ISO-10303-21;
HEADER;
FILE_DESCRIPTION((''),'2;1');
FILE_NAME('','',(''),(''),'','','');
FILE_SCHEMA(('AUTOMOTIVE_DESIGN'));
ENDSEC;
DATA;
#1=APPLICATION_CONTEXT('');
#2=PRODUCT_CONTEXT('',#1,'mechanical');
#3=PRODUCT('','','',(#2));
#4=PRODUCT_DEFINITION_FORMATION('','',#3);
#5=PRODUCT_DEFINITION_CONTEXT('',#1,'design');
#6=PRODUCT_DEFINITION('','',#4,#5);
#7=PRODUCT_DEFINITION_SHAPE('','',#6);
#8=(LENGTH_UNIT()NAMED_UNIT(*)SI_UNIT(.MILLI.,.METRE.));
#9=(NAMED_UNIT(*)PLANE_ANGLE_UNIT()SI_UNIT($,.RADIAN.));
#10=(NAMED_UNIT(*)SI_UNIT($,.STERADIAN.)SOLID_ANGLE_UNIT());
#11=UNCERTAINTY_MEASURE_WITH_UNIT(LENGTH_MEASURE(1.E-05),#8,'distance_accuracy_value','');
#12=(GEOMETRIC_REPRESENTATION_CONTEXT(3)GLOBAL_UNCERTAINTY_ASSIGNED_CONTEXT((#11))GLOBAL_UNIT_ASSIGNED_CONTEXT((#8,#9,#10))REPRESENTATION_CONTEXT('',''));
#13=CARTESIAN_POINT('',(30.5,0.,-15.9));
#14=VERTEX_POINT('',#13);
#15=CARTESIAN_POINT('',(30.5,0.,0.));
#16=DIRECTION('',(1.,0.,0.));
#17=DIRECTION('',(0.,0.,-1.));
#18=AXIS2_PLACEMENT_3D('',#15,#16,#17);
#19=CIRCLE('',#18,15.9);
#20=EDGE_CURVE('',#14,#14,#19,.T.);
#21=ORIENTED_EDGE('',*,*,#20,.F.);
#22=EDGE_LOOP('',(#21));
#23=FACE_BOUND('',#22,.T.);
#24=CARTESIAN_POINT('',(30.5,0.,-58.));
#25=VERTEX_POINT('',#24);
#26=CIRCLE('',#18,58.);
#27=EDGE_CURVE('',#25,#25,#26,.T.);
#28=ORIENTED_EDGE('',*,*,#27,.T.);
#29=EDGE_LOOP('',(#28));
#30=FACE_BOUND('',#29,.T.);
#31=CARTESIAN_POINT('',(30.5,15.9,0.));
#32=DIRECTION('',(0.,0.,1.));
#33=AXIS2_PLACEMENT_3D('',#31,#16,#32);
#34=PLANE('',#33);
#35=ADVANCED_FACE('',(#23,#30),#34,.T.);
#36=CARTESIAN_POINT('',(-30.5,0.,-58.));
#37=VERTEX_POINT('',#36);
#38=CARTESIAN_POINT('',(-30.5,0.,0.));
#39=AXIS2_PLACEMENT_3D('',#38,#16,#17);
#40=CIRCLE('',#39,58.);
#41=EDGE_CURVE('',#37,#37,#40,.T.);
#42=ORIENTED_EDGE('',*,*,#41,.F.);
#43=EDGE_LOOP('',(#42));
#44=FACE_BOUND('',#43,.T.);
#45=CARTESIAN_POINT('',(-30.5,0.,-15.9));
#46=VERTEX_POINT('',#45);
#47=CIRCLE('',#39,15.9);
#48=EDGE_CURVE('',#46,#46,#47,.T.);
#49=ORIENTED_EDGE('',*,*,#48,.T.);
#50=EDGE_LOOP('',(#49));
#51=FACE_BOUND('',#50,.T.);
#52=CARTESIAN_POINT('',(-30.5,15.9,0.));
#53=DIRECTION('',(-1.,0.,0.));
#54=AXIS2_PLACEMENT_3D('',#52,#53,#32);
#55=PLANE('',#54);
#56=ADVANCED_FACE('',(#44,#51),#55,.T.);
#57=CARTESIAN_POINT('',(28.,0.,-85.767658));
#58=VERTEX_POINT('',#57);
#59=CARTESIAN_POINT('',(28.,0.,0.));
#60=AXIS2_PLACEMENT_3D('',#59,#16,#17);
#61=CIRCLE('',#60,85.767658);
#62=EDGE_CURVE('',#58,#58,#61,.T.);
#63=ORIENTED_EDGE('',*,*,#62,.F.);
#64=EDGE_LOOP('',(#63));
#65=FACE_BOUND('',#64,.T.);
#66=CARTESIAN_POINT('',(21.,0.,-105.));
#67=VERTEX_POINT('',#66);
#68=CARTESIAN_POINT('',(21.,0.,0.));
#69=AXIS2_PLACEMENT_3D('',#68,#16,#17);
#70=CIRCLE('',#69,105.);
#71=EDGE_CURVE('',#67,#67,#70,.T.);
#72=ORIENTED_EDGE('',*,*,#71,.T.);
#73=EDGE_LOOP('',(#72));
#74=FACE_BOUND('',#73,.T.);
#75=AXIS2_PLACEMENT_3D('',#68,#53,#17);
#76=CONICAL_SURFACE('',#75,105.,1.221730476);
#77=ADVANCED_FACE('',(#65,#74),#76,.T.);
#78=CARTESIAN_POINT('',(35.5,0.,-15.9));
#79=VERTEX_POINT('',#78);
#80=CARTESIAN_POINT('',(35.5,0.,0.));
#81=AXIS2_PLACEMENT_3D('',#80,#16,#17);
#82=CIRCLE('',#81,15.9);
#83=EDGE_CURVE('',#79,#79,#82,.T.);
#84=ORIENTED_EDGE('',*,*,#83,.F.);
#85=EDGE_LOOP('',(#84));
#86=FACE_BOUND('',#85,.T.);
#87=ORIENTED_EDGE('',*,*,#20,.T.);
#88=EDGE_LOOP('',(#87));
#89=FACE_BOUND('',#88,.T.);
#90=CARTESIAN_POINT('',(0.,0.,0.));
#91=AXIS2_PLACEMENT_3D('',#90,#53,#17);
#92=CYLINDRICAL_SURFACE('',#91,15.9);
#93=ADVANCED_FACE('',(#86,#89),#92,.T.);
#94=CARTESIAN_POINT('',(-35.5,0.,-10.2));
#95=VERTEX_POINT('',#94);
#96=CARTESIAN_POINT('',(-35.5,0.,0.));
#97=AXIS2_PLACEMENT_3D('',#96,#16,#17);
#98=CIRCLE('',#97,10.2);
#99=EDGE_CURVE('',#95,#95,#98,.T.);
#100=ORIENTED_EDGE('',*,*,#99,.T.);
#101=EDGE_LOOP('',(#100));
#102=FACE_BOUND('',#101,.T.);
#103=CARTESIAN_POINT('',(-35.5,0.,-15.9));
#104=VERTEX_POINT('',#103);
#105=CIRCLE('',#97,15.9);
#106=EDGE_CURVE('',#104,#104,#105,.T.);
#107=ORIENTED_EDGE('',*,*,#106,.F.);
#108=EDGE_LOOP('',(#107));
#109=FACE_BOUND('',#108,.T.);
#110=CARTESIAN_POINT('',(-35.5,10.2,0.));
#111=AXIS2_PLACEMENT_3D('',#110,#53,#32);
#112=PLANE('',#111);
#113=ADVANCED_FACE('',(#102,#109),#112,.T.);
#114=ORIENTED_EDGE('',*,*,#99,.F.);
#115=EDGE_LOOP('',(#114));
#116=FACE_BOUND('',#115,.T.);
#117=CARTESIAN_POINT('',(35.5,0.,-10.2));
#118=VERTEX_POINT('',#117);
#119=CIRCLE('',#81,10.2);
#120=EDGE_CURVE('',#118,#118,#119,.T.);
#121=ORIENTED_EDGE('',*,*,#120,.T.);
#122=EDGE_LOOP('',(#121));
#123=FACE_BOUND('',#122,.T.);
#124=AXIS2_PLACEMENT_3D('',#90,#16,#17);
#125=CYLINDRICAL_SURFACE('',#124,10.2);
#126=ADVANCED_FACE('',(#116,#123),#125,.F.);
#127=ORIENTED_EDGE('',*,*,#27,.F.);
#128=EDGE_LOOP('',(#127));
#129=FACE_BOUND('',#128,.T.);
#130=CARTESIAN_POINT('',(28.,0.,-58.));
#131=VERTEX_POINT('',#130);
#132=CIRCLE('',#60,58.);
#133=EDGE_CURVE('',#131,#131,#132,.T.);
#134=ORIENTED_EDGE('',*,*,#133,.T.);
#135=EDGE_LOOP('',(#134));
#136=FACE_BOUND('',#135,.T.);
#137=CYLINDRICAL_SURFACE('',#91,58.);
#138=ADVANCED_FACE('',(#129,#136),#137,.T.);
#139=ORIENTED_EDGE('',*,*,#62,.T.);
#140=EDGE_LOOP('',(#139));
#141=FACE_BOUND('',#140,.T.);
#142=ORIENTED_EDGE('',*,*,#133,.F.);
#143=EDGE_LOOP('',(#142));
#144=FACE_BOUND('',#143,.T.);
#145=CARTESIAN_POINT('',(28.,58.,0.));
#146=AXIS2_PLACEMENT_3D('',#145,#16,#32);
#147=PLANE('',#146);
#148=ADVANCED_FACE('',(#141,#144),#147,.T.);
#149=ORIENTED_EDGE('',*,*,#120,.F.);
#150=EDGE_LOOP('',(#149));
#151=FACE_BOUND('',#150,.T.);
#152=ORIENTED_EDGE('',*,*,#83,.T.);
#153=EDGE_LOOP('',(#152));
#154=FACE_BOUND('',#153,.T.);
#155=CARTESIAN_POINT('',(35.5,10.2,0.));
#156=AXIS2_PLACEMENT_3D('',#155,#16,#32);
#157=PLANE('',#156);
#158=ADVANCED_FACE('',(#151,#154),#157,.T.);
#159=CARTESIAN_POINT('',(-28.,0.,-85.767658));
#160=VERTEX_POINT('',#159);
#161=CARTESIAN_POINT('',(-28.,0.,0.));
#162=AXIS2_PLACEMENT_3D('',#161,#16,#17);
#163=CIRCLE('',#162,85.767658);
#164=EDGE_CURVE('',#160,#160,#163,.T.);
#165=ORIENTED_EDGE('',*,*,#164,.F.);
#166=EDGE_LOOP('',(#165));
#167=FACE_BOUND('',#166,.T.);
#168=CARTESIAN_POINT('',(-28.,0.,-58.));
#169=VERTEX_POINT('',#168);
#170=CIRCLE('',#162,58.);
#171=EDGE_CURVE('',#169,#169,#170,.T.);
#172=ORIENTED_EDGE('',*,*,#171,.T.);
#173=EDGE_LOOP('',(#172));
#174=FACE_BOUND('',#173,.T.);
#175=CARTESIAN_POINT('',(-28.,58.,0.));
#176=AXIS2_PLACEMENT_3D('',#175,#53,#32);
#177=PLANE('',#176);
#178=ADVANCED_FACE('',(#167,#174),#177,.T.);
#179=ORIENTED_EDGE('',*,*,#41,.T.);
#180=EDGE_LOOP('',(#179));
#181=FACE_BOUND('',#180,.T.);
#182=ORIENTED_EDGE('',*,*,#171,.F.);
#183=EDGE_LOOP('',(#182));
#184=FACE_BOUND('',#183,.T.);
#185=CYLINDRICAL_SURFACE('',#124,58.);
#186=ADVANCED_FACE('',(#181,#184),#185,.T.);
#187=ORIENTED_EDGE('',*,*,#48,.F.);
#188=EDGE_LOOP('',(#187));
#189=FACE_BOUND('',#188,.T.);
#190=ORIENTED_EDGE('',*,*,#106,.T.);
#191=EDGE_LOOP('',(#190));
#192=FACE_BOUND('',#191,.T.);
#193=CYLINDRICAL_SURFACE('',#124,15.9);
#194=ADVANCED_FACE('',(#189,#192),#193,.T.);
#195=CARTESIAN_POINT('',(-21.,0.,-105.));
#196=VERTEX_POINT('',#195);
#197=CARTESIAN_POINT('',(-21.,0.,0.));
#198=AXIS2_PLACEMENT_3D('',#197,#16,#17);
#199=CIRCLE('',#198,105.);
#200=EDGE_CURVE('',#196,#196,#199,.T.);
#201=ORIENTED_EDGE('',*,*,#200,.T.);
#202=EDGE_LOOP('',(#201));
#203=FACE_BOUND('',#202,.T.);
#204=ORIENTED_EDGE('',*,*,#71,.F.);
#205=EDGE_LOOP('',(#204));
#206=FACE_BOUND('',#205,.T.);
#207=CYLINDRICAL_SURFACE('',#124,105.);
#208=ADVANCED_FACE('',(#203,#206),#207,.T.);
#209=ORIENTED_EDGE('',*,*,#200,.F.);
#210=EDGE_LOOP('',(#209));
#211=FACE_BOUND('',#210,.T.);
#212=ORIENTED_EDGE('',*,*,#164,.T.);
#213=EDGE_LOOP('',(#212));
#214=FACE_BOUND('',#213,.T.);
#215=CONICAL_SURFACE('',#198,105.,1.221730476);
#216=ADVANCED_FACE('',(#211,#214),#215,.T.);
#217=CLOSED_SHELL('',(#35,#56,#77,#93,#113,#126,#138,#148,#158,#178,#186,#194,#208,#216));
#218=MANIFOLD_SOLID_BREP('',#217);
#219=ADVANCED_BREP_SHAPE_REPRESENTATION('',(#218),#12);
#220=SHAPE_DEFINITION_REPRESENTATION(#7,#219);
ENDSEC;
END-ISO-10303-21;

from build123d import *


with BuildPart() as part:
    # Szkic2 → Obrót1 (revolve)
    with BuildSketch(Plane.XY, mode=Mode.PRIVATE) as obr_t1_sk:
        Polygon((0, 10.2), (-35.5, 10.2), (-35.5, 15.9), (-30.5, 15.9), (-30.5, 58), (-28, 58), (-28, 85.767658064), (-21, 105), (0, 105), align=None)
    obr_t1 = revolve(obr_t1_sk.sketch.rotate(Axis((0, 0, 0), (-1, 0, 0)), 90), axis=Axis((0, 0, 0), (-1, 0, 0)))

    # Lustro2: Obrót1 across Right Plane
    add(obr_t1.mirror(Plane(origin=(0, 0, 0), x_dir=(0, 0, -1), z_dir=(1, 0, 0))))


solid = part.part
